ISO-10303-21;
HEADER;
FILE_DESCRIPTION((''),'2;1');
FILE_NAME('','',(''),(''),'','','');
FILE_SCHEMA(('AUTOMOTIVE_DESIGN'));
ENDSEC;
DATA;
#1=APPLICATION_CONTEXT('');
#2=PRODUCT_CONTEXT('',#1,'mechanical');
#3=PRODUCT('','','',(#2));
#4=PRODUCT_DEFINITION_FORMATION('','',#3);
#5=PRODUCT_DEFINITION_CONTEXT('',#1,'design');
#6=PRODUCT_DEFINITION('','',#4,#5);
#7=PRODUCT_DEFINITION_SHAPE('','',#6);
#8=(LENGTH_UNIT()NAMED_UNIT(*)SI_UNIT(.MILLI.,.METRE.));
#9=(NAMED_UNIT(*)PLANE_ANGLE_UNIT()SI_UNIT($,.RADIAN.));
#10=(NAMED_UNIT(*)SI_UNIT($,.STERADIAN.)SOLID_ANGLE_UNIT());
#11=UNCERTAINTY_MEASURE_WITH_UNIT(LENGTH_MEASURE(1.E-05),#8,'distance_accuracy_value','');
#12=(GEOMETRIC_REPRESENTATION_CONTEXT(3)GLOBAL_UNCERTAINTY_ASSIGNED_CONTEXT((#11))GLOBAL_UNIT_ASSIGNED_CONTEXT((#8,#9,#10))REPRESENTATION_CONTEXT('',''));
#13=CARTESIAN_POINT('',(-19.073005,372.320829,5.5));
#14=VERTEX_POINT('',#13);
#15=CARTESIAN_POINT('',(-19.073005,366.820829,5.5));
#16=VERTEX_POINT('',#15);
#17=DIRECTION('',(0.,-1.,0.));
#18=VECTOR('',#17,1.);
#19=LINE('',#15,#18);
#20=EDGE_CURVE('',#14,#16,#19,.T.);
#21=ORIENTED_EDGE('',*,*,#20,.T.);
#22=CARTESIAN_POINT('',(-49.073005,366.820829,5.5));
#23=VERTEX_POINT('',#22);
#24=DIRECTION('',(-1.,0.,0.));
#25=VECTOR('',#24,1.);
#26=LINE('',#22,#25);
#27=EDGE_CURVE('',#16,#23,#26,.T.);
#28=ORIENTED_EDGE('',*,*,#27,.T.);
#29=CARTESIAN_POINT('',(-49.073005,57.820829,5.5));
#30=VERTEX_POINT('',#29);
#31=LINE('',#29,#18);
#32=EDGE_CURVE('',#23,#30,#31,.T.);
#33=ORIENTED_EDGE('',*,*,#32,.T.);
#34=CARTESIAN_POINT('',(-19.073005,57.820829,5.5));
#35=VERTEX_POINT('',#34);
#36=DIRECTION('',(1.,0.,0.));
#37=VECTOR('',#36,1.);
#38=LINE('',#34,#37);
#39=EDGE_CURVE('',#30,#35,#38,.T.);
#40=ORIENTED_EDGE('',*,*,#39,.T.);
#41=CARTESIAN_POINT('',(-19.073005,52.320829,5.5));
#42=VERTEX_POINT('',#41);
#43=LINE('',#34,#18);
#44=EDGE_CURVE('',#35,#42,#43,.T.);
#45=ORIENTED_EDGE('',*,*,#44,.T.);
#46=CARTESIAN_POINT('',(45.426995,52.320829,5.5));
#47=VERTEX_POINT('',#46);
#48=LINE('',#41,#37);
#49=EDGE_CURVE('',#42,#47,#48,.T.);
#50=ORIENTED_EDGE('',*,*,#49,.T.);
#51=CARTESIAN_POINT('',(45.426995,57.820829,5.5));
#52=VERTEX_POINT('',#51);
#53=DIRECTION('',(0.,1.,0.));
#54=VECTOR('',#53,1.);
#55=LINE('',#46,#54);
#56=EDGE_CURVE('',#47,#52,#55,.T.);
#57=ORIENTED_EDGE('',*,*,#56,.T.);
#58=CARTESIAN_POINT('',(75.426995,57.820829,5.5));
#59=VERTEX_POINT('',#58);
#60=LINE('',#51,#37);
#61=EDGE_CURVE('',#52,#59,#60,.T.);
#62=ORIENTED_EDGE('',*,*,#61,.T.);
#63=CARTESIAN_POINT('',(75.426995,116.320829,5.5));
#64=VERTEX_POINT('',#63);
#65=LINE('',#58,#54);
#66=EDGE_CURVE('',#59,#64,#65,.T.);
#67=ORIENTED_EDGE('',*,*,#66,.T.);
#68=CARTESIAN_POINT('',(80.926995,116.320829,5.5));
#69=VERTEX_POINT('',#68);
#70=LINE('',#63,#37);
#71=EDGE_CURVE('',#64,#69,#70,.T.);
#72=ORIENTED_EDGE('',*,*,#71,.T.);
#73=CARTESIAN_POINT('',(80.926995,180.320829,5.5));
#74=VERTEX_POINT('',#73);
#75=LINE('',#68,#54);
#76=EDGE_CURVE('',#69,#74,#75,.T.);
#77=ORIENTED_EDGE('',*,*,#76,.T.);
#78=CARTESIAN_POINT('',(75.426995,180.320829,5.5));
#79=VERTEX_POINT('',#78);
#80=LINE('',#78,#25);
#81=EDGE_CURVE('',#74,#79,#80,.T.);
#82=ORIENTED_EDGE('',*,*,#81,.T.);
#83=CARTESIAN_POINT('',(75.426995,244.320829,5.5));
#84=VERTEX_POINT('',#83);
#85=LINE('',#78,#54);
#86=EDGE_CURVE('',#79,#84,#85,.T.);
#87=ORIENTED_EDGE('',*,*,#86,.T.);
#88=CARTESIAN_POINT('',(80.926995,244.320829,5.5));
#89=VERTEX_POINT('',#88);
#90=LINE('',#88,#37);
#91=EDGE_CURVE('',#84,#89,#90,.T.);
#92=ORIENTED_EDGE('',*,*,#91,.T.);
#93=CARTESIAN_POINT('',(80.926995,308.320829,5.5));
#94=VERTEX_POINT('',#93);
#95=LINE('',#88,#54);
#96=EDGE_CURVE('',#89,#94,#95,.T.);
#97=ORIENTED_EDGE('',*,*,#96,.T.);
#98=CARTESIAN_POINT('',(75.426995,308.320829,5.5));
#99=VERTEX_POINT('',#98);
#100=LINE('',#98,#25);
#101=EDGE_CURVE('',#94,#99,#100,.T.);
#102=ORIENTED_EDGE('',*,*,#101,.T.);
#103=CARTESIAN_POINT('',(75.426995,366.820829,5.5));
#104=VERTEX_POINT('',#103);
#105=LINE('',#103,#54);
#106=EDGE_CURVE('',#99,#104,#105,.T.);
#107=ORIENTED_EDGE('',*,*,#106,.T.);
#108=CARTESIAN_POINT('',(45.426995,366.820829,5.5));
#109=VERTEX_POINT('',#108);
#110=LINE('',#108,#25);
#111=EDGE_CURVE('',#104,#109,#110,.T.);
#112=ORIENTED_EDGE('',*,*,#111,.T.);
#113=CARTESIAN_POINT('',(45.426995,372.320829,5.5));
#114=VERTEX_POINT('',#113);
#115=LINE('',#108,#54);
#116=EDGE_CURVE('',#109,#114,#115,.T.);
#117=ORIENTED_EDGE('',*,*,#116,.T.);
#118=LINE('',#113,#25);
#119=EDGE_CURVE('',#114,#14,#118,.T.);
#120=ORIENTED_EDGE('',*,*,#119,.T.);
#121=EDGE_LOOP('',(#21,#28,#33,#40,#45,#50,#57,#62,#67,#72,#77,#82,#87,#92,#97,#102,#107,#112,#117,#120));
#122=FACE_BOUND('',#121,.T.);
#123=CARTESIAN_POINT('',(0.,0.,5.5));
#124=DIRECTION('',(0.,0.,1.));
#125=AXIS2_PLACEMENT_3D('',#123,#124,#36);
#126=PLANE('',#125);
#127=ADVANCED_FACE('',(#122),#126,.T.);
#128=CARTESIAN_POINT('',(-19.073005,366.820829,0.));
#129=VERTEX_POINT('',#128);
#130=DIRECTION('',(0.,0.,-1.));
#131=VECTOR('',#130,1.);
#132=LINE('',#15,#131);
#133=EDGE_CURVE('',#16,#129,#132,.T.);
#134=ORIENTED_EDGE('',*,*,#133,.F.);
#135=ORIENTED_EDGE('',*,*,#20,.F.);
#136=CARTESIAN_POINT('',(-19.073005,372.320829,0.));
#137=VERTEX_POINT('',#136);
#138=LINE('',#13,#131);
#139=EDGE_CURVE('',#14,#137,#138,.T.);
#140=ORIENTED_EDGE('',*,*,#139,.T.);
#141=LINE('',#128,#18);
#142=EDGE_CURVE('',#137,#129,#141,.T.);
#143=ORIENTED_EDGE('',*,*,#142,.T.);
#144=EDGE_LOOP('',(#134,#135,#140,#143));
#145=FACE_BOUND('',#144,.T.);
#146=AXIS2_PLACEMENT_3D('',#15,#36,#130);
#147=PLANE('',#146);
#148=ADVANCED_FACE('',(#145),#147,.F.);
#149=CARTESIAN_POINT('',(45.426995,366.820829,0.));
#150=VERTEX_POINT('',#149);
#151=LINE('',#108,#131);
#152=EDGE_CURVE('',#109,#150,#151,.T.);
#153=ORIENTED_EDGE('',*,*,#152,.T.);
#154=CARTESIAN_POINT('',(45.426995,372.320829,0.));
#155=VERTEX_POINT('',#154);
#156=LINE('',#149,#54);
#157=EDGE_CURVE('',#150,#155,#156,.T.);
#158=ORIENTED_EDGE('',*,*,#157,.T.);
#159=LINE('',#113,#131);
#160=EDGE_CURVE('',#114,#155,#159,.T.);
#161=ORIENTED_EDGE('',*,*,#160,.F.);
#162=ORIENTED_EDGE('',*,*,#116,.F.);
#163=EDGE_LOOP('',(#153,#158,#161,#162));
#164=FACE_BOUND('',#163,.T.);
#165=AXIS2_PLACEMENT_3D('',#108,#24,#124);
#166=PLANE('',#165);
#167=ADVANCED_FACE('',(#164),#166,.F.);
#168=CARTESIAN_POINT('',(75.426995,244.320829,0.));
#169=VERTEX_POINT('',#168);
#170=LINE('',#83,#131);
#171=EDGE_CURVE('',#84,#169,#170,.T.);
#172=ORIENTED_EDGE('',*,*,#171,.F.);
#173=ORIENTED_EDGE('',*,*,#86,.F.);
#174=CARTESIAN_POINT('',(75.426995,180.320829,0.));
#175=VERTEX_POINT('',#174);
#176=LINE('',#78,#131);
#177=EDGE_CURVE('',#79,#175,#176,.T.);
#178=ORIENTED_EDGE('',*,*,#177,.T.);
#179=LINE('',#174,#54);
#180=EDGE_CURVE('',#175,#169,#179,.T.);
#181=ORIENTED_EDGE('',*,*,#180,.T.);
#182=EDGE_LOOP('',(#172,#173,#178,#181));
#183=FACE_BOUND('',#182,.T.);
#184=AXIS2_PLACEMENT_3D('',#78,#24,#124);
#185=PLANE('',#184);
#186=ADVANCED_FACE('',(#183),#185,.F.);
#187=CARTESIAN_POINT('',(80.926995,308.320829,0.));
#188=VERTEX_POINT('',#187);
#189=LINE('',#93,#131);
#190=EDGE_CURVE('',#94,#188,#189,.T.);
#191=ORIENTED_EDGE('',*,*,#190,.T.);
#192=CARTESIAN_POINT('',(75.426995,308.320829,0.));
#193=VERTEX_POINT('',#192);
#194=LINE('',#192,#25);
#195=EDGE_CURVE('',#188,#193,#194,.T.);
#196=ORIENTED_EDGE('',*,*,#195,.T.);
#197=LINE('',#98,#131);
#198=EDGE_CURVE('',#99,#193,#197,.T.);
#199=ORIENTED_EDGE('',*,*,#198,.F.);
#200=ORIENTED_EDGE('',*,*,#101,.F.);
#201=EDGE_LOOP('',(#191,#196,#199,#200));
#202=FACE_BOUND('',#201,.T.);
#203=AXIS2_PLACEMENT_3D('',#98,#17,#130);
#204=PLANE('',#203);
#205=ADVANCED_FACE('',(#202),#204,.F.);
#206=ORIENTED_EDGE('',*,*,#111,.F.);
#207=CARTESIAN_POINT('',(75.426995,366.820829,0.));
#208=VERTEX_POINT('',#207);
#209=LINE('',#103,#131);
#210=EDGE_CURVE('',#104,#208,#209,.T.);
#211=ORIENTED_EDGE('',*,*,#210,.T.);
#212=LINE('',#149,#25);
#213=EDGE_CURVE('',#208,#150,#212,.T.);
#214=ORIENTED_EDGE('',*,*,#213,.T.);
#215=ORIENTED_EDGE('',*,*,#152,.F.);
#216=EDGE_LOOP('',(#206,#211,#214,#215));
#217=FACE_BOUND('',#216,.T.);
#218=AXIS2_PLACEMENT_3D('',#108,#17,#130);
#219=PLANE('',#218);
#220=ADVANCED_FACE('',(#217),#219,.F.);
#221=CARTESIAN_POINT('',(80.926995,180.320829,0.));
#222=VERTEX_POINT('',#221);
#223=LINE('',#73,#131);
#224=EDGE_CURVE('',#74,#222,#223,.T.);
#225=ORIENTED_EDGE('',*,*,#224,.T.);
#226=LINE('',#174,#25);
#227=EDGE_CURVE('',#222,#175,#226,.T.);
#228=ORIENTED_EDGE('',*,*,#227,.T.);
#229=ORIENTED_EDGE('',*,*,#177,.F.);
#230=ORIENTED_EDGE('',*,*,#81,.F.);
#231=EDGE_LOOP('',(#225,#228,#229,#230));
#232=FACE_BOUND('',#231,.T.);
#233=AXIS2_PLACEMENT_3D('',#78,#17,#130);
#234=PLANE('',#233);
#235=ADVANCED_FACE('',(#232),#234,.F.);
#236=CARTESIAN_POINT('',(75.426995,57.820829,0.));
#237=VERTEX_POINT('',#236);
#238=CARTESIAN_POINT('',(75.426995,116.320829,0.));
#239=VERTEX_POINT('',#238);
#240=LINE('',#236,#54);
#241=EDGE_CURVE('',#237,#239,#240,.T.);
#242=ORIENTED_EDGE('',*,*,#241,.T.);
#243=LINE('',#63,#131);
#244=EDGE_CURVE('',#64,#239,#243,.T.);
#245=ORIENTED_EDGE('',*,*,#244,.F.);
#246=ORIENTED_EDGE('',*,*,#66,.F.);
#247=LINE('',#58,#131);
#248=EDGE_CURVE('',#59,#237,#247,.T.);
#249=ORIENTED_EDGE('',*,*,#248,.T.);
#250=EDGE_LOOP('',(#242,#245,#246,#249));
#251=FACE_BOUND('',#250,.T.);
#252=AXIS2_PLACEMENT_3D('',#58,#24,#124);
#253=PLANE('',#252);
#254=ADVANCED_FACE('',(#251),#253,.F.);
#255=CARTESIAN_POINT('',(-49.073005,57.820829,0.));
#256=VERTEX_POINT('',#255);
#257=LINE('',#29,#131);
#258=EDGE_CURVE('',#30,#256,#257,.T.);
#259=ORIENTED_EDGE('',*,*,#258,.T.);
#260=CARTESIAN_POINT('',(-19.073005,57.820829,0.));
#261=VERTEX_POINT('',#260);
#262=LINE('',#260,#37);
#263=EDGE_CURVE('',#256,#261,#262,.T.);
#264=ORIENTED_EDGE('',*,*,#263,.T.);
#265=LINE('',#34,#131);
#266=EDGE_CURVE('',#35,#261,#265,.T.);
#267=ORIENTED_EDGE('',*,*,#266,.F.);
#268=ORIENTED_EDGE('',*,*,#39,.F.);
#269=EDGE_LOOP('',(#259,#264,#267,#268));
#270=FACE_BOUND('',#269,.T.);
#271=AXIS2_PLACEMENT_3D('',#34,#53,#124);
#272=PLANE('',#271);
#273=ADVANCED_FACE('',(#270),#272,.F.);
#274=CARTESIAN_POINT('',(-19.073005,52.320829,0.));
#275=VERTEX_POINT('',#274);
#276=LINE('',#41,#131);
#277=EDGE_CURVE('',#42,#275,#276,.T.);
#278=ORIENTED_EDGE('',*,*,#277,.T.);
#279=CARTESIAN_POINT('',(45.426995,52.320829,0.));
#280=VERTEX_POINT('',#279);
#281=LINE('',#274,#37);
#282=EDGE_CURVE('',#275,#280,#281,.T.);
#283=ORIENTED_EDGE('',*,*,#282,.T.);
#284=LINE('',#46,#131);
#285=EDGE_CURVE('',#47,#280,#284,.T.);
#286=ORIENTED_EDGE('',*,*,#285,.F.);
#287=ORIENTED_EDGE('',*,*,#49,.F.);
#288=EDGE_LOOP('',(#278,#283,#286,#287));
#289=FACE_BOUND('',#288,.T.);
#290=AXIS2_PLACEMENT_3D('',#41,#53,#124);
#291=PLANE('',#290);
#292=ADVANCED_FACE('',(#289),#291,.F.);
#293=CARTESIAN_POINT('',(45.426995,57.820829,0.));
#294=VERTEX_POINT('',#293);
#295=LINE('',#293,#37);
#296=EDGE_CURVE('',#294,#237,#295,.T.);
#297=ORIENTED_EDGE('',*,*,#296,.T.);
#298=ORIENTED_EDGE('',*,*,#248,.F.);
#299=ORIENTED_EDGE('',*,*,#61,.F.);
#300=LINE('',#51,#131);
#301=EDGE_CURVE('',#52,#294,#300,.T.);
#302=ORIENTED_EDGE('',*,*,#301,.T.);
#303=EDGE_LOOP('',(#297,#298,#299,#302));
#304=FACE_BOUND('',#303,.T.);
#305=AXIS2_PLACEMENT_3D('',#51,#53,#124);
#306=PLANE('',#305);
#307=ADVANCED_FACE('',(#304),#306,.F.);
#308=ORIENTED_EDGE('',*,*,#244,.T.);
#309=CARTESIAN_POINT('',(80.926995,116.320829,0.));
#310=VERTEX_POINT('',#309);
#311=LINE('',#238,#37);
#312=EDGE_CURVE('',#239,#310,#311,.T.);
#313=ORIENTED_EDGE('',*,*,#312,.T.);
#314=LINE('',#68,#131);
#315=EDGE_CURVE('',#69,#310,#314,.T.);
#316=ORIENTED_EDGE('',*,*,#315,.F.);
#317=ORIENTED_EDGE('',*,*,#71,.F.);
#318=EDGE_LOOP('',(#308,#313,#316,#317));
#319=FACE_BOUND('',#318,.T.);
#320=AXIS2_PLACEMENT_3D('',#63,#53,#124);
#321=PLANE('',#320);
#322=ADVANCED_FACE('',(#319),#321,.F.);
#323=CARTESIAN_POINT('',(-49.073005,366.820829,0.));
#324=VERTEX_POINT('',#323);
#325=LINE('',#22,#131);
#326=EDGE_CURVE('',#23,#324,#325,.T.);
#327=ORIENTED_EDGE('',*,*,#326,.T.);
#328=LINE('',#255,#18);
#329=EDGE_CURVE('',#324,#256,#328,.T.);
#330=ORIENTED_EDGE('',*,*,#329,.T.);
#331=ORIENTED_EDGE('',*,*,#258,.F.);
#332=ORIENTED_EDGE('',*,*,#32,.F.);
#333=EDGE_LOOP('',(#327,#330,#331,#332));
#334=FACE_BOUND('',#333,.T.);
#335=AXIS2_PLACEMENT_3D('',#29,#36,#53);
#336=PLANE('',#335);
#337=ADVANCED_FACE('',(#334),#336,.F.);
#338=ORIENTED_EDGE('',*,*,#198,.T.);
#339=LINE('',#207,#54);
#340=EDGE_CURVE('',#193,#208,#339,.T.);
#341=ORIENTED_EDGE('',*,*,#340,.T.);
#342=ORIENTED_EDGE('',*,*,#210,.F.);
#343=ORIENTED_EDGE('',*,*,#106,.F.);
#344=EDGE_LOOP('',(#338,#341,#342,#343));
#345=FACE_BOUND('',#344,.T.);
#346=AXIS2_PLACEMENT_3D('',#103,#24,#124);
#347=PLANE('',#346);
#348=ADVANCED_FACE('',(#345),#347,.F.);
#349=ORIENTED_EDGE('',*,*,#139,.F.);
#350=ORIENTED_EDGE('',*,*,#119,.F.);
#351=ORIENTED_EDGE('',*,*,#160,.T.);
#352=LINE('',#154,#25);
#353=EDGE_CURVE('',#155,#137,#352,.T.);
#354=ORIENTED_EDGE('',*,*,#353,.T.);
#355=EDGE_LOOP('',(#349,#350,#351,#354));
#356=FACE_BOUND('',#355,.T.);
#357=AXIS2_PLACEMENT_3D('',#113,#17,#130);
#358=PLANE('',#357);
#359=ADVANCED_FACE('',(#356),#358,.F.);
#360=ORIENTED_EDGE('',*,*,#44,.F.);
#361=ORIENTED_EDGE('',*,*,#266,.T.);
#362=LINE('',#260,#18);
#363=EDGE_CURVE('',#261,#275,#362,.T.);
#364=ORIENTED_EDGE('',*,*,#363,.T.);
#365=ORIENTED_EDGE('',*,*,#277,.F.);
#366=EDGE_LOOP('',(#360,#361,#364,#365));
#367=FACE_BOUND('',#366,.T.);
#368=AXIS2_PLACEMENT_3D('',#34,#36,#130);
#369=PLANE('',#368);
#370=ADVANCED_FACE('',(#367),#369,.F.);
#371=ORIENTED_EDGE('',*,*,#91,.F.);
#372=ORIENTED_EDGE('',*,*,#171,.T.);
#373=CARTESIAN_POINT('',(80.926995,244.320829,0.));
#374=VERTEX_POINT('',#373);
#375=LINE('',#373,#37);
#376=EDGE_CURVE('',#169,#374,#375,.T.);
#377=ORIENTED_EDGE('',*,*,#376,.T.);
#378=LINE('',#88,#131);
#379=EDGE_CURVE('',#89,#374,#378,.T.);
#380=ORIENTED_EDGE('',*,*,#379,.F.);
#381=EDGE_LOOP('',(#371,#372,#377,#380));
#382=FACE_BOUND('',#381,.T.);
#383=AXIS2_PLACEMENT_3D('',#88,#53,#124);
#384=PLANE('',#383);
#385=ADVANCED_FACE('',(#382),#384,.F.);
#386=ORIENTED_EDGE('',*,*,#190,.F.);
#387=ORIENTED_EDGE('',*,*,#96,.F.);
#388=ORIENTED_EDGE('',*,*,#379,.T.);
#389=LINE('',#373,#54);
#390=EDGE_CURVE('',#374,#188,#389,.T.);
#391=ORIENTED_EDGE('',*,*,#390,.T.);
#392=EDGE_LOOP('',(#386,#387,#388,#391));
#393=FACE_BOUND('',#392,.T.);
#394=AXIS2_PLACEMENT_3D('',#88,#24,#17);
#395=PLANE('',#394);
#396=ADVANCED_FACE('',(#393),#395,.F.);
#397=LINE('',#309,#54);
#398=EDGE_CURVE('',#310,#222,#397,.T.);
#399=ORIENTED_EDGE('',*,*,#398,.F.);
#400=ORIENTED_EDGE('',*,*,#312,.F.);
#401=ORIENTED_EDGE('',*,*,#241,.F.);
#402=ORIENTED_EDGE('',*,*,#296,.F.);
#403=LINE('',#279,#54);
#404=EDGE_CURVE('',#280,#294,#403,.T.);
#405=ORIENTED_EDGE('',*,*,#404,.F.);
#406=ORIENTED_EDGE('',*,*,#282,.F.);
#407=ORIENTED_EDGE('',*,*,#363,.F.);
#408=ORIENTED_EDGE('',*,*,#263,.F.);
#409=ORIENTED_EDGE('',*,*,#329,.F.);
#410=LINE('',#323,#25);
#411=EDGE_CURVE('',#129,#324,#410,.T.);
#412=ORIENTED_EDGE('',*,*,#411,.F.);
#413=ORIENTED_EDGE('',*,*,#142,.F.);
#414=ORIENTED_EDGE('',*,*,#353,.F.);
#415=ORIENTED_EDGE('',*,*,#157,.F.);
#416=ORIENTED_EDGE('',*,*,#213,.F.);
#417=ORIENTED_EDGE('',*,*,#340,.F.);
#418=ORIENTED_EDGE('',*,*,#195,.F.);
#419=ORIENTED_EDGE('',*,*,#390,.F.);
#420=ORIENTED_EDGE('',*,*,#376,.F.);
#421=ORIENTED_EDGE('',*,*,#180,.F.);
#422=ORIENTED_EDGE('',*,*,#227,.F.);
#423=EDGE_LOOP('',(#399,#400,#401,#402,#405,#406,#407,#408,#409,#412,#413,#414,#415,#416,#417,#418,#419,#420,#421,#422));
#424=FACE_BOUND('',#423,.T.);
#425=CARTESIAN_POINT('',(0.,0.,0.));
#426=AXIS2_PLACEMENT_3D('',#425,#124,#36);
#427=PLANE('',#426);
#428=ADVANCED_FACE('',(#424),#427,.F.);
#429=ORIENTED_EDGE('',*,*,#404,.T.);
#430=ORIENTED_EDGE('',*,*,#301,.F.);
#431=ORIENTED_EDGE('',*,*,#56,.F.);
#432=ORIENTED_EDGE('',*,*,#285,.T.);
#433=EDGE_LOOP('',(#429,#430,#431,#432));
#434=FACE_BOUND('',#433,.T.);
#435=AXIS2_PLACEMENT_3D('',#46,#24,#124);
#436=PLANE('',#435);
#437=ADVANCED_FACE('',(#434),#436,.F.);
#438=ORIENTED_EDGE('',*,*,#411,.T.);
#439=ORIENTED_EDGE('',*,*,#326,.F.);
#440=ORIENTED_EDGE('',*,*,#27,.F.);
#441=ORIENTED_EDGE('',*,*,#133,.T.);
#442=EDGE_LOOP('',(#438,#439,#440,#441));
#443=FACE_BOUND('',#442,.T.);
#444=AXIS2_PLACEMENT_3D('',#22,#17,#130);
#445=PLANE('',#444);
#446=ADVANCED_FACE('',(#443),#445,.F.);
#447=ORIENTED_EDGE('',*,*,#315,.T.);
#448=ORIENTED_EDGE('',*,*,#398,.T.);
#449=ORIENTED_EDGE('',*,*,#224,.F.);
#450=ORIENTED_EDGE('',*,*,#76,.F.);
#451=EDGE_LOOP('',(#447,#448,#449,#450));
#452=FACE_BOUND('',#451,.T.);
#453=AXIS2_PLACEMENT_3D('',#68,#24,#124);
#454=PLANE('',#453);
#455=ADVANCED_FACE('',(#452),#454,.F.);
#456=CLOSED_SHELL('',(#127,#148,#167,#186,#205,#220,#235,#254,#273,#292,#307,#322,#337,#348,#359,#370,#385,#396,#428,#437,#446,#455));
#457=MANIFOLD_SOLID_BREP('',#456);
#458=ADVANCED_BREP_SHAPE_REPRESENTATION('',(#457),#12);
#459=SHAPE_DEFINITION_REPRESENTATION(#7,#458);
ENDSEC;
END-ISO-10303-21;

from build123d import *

# Parameters (mm, degrees)
SALIENTE_EXTRUIR1_DEPTH = 5.5


with BuildPart() as part:
    # Croquis1 → Saliente-Extruir1 (new body)
    with BuildSketch(Plane.XY):
        Polygon((45.426994895, 366.820828604), (75.426994895, 366.820828604), (75.426994895, 308.320828604), (80.926994895, 308.320828604), (80.926994895, 244.320828604), (75.426994895, 244.320828604), (75.426994895, 180.320828604), (80.926994895, 180.320828604), (80.926994895, 116.320828604), (75.426994895, 116.320828604), (75.426994895, 57.820828604), (45.426994895, 57.820828604), (45.426994895, 52.320828604), (-19.073005105, 52.320828604), (-19.073005105, 57.820828604), (-49.073005105, 57.820828604), (-49.073005105, 366.820828604), (-19.073005105, 366.820828604), (-19.073005105, 372.320828604), (45.426994895, 372.320828604), align=None)
    extrude(amount=SALIENTE_EXTRUIR1_DEPTH)


solid = part.part
